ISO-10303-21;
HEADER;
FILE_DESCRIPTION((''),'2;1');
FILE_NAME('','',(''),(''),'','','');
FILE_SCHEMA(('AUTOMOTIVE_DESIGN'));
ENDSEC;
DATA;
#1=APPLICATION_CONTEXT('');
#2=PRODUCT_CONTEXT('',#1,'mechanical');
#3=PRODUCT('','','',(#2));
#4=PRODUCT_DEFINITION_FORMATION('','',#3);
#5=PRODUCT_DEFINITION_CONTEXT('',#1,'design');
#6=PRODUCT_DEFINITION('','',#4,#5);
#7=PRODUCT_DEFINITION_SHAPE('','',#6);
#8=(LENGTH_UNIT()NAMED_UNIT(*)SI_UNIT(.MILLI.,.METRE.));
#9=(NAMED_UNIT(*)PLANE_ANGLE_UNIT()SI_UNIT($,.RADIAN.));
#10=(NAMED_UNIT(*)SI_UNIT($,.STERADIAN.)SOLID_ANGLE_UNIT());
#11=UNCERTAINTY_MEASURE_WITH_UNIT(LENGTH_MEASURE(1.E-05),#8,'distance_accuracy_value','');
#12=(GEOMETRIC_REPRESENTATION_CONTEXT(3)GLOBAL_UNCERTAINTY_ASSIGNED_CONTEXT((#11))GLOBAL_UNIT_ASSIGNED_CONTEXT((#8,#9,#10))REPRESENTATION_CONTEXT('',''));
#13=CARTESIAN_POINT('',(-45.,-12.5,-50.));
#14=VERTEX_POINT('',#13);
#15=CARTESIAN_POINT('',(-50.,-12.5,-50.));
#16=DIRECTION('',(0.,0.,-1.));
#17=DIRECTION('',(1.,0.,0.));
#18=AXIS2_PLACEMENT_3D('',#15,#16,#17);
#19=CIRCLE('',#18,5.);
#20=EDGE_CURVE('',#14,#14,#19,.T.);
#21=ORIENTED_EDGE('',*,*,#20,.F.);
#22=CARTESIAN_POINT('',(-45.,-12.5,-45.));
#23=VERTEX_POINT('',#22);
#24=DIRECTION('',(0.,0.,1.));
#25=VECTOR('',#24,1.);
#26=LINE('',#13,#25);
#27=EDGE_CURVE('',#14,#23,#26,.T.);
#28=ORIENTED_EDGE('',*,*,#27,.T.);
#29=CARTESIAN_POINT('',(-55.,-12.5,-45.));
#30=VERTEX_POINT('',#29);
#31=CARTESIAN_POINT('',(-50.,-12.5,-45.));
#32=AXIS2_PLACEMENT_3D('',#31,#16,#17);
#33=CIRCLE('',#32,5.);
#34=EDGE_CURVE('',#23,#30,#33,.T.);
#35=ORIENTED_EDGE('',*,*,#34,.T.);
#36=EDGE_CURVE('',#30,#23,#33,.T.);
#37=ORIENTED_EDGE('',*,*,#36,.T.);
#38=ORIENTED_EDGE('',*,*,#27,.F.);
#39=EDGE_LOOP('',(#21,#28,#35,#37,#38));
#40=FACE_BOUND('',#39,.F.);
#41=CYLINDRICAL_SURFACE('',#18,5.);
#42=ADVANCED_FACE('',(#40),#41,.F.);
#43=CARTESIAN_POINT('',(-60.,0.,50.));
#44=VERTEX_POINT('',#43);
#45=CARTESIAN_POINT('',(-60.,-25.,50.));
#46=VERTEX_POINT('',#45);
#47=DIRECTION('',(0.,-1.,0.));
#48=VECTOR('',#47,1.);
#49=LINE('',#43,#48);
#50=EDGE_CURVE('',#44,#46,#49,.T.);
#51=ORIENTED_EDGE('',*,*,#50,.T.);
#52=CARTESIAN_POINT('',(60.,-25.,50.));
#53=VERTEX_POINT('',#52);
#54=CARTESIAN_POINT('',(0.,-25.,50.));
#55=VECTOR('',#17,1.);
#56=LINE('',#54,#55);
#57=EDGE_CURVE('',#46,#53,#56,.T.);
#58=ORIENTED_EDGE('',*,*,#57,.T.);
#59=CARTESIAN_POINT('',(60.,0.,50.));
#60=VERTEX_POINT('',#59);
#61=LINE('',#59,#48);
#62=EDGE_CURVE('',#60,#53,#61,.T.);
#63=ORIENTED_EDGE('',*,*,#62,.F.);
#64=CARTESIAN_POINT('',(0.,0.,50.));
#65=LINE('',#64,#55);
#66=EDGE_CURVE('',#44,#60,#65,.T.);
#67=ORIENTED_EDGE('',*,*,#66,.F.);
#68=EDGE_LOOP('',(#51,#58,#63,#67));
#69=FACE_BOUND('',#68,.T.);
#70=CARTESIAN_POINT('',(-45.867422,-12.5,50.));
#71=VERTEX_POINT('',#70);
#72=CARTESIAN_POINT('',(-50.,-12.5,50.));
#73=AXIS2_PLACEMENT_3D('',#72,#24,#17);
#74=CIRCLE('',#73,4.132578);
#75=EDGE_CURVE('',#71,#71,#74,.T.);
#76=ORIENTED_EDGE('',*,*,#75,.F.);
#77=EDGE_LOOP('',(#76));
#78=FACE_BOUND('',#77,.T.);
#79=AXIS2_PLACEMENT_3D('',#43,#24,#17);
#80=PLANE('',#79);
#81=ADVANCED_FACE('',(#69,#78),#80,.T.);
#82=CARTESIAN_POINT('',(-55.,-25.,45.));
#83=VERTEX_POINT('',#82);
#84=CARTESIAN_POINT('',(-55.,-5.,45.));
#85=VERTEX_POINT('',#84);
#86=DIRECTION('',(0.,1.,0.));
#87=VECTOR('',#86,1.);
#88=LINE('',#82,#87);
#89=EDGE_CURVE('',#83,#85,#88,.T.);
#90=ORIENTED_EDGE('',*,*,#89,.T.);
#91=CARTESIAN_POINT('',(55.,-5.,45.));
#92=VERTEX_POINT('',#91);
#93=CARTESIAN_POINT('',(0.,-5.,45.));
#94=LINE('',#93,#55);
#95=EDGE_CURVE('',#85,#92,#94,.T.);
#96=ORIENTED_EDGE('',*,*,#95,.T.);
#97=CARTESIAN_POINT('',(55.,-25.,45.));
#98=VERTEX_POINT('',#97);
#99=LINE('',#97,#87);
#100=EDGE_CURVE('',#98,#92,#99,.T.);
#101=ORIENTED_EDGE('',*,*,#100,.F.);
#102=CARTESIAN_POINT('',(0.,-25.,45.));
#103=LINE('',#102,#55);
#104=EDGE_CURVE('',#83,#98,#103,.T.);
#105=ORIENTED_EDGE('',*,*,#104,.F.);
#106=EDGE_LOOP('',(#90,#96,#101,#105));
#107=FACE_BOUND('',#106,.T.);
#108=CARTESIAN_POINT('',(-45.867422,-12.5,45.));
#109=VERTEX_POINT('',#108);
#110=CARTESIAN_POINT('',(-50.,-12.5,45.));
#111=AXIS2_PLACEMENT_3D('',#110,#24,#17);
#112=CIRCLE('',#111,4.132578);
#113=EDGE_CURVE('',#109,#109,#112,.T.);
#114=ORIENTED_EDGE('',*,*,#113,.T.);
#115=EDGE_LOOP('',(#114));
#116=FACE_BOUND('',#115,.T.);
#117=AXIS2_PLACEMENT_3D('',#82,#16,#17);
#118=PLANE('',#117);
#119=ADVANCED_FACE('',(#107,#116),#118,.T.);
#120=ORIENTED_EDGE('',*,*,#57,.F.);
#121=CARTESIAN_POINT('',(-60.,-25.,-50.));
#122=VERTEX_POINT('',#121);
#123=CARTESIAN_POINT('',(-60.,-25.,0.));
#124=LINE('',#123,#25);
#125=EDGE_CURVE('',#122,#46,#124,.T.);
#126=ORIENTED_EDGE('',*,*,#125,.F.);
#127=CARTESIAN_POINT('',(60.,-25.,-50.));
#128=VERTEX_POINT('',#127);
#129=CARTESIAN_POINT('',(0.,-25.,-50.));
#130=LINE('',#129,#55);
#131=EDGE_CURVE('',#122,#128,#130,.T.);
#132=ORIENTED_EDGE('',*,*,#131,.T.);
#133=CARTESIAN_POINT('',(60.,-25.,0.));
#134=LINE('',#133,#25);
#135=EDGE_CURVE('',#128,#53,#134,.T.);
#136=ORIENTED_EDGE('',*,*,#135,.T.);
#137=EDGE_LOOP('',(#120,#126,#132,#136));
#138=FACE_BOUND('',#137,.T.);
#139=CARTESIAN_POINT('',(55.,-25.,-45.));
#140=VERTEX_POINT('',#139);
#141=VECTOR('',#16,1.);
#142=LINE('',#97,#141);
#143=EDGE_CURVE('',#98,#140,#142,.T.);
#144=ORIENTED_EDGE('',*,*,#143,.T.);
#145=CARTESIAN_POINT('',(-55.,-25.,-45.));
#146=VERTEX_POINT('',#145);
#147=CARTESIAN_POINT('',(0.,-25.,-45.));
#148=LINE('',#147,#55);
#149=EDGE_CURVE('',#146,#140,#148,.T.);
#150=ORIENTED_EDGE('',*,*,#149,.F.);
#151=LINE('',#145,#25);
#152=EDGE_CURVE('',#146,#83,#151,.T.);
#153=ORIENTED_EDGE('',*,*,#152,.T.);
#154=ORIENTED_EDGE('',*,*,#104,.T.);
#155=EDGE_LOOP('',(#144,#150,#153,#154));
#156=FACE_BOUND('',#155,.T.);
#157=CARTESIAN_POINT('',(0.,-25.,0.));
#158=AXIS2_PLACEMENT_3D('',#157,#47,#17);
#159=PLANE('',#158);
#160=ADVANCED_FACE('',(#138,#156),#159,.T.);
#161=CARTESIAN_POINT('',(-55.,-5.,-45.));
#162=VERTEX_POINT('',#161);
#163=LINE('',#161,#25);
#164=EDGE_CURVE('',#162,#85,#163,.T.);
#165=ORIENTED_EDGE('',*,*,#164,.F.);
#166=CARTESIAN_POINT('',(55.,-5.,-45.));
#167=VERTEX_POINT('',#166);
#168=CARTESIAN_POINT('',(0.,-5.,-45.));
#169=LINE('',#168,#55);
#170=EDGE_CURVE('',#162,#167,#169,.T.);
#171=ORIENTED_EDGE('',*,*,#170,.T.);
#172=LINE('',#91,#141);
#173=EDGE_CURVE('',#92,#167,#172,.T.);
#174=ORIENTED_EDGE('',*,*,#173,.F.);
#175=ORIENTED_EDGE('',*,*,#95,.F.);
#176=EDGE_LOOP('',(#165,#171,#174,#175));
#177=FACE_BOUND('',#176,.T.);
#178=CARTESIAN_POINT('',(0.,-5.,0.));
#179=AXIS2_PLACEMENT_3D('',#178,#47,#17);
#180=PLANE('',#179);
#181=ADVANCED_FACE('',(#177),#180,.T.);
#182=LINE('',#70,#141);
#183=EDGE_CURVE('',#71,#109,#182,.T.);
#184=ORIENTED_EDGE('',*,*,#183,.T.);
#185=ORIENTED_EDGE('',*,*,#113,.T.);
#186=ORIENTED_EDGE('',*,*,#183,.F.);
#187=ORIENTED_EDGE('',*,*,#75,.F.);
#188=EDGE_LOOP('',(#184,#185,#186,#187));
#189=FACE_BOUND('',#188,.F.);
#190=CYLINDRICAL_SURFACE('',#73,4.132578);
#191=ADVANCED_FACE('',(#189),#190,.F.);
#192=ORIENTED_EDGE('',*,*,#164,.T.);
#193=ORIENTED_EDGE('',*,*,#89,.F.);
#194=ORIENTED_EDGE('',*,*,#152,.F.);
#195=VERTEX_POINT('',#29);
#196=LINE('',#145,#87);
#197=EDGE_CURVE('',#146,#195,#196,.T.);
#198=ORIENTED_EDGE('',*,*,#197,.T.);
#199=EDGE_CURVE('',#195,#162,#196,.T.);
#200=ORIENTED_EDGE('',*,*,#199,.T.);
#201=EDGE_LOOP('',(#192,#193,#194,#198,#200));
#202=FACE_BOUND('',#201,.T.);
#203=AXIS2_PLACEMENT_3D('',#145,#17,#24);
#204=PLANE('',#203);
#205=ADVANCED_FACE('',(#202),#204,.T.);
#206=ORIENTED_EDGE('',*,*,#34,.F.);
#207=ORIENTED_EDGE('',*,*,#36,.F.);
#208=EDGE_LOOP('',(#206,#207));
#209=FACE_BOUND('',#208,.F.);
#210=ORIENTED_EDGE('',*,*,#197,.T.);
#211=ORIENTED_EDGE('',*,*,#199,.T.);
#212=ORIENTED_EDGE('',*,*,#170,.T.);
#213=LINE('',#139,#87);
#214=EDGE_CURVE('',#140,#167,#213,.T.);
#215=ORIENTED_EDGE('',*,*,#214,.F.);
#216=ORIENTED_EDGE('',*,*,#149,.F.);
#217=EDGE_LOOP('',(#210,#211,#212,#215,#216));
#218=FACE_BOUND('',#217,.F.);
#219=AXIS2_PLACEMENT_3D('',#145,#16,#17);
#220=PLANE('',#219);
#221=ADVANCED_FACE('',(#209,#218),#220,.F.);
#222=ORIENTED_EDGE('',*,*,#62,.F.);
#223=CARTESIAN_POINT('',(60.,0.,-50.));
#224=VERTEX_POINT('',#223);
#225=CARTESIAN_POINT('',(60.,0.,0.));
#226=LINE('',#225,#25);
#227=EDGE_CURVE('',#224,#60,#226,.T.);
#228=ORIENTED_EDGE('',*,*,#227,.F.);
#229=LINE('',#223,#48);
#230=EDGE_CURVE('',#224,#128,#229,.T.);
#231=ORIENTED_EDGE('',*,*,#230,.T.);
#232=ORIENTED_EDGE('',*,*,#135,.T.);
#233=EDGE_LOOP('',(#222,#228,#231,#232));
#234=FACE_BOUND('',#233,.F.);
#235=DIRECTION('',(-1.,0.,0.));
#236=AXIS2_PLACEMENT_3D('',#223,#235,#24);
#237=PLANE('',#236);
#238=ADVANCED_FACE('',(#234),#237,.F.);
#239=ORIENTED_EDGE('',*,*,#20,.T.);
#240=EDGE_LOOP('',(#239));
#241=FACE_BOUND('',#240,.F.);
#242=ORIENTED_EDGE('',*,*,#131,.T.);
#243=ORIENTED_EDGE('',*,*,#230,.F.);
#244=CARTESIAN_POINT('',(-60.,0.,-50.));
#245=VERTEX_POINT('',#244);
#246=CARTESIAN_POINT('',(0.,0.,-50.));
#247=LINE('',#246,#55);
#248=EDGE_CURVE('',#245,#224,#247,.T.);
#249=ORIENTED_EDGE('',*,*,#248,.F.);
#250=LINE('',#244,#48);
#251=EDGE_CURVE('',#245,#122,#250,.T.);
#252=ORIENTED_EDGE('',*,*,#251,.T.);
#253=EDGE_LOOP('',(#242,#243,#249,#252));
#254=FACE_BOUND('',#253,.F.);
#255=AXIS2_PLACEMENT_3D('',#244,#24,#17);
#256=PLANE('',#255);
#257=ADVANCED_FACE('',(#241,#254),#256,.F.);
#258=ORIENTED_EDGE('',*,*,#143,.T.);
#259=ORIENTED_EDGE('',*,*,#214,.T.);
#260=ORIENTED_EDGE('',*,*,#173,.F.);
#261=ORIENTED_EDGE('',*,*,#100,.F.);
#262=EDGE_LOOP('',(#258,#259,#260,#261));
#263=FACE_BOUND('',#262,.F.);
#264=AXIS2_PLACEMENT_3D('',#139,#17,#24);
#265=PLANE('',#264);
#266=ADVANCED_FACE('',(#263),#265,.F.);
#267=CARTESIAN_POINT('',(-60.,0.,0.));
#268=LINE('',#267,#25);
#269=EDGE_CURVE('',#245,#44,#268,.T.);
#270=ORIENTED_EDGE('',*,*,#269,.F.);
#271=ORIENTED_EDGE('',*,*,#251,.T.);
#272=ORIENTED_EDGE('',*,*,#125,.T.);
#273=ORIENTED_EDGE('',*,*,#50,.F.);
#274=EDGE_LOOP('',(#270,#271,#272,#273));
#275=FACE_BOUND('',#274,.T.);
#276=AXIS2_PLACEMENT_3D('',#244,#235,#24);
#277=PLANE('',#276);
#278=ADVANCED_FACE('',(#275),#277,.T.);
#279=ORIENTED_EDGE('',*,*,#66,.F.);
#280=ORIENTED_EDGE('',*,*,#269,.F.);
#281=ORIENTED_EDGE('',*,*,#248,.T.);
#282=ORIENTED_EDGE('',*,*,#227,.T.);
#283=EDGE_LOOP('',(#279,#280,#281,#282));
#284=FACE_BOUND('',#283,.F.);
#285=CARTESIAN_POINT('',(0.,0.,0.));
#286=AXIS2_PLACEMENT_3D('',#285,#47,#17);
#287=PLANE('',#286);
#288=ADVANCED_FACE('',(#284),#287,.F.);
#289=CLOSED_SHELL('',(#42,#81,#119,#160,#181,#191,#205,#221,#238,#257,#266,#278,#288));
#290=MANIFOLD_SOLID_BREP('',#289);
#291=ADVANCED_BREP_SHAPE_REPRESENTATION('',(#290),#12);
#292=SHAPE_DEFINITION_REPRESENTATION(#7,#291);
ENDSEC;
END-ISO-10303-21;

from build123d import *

# Parameters (mm, degrees)
F0_W      = 120
F0_H      = 100
F1_DEPTH  = 25
F2_W      = 110
F2_H      = 90
F3_DEPTH  = 20
F4_R      = 5
F3_FACE_W = 110
F3_FACE_H = 20
F5_DEPTH  = 10
F6_R      = 4.1325775989
F7_DEPTH  = 10


with BuildPart() as f1:
    # F0 (on Front) → F1 (new body)
    with BuildSketch(Plane.XZ):
        Rectangle(F0_W, F0_H)
    extrude(amount=F1_DEPTH)

    # F2 (on face) → F3 (cut)
    with BuildSketch(Plane.XZ.offset(25)):
        Rectangle(F2_W, F2_H)
    extrude(amount=-F3_DEPTH, mode=Mode.SUBTRACT)

    # F4 (on face) + F3_face (on face) → F5 (cut)
    with BuildSketch(Plane(origin=(0, 0, -50), x_dir=(1, 0, 0), z_dir=(0, 0, -1))):
        with Locations((-50, 12.5)):
            Circle(F4_R)
    with BuildSketch(Plane(origin=(0, -15, -45), x_dir=(1, 0, 0), z_dir=(0, 0, 1))):
        Rectangle(F3_FACE_W, F3_FACE_H)
    extrude(amount=-F5_DEPTH, dir=(0, 0, -1), mode=Mode.SUBTRACT)

    # F6 (on face) → F7 (cut)
    with BuildSketch(Plane.XY.offset(50)):
        with Locations((-50, -12.5)):
            Circle(F6_R)
    extrude(amount=-F7_DEPTH, mode=Mode.SUBTRACT)


solid = f1.part
